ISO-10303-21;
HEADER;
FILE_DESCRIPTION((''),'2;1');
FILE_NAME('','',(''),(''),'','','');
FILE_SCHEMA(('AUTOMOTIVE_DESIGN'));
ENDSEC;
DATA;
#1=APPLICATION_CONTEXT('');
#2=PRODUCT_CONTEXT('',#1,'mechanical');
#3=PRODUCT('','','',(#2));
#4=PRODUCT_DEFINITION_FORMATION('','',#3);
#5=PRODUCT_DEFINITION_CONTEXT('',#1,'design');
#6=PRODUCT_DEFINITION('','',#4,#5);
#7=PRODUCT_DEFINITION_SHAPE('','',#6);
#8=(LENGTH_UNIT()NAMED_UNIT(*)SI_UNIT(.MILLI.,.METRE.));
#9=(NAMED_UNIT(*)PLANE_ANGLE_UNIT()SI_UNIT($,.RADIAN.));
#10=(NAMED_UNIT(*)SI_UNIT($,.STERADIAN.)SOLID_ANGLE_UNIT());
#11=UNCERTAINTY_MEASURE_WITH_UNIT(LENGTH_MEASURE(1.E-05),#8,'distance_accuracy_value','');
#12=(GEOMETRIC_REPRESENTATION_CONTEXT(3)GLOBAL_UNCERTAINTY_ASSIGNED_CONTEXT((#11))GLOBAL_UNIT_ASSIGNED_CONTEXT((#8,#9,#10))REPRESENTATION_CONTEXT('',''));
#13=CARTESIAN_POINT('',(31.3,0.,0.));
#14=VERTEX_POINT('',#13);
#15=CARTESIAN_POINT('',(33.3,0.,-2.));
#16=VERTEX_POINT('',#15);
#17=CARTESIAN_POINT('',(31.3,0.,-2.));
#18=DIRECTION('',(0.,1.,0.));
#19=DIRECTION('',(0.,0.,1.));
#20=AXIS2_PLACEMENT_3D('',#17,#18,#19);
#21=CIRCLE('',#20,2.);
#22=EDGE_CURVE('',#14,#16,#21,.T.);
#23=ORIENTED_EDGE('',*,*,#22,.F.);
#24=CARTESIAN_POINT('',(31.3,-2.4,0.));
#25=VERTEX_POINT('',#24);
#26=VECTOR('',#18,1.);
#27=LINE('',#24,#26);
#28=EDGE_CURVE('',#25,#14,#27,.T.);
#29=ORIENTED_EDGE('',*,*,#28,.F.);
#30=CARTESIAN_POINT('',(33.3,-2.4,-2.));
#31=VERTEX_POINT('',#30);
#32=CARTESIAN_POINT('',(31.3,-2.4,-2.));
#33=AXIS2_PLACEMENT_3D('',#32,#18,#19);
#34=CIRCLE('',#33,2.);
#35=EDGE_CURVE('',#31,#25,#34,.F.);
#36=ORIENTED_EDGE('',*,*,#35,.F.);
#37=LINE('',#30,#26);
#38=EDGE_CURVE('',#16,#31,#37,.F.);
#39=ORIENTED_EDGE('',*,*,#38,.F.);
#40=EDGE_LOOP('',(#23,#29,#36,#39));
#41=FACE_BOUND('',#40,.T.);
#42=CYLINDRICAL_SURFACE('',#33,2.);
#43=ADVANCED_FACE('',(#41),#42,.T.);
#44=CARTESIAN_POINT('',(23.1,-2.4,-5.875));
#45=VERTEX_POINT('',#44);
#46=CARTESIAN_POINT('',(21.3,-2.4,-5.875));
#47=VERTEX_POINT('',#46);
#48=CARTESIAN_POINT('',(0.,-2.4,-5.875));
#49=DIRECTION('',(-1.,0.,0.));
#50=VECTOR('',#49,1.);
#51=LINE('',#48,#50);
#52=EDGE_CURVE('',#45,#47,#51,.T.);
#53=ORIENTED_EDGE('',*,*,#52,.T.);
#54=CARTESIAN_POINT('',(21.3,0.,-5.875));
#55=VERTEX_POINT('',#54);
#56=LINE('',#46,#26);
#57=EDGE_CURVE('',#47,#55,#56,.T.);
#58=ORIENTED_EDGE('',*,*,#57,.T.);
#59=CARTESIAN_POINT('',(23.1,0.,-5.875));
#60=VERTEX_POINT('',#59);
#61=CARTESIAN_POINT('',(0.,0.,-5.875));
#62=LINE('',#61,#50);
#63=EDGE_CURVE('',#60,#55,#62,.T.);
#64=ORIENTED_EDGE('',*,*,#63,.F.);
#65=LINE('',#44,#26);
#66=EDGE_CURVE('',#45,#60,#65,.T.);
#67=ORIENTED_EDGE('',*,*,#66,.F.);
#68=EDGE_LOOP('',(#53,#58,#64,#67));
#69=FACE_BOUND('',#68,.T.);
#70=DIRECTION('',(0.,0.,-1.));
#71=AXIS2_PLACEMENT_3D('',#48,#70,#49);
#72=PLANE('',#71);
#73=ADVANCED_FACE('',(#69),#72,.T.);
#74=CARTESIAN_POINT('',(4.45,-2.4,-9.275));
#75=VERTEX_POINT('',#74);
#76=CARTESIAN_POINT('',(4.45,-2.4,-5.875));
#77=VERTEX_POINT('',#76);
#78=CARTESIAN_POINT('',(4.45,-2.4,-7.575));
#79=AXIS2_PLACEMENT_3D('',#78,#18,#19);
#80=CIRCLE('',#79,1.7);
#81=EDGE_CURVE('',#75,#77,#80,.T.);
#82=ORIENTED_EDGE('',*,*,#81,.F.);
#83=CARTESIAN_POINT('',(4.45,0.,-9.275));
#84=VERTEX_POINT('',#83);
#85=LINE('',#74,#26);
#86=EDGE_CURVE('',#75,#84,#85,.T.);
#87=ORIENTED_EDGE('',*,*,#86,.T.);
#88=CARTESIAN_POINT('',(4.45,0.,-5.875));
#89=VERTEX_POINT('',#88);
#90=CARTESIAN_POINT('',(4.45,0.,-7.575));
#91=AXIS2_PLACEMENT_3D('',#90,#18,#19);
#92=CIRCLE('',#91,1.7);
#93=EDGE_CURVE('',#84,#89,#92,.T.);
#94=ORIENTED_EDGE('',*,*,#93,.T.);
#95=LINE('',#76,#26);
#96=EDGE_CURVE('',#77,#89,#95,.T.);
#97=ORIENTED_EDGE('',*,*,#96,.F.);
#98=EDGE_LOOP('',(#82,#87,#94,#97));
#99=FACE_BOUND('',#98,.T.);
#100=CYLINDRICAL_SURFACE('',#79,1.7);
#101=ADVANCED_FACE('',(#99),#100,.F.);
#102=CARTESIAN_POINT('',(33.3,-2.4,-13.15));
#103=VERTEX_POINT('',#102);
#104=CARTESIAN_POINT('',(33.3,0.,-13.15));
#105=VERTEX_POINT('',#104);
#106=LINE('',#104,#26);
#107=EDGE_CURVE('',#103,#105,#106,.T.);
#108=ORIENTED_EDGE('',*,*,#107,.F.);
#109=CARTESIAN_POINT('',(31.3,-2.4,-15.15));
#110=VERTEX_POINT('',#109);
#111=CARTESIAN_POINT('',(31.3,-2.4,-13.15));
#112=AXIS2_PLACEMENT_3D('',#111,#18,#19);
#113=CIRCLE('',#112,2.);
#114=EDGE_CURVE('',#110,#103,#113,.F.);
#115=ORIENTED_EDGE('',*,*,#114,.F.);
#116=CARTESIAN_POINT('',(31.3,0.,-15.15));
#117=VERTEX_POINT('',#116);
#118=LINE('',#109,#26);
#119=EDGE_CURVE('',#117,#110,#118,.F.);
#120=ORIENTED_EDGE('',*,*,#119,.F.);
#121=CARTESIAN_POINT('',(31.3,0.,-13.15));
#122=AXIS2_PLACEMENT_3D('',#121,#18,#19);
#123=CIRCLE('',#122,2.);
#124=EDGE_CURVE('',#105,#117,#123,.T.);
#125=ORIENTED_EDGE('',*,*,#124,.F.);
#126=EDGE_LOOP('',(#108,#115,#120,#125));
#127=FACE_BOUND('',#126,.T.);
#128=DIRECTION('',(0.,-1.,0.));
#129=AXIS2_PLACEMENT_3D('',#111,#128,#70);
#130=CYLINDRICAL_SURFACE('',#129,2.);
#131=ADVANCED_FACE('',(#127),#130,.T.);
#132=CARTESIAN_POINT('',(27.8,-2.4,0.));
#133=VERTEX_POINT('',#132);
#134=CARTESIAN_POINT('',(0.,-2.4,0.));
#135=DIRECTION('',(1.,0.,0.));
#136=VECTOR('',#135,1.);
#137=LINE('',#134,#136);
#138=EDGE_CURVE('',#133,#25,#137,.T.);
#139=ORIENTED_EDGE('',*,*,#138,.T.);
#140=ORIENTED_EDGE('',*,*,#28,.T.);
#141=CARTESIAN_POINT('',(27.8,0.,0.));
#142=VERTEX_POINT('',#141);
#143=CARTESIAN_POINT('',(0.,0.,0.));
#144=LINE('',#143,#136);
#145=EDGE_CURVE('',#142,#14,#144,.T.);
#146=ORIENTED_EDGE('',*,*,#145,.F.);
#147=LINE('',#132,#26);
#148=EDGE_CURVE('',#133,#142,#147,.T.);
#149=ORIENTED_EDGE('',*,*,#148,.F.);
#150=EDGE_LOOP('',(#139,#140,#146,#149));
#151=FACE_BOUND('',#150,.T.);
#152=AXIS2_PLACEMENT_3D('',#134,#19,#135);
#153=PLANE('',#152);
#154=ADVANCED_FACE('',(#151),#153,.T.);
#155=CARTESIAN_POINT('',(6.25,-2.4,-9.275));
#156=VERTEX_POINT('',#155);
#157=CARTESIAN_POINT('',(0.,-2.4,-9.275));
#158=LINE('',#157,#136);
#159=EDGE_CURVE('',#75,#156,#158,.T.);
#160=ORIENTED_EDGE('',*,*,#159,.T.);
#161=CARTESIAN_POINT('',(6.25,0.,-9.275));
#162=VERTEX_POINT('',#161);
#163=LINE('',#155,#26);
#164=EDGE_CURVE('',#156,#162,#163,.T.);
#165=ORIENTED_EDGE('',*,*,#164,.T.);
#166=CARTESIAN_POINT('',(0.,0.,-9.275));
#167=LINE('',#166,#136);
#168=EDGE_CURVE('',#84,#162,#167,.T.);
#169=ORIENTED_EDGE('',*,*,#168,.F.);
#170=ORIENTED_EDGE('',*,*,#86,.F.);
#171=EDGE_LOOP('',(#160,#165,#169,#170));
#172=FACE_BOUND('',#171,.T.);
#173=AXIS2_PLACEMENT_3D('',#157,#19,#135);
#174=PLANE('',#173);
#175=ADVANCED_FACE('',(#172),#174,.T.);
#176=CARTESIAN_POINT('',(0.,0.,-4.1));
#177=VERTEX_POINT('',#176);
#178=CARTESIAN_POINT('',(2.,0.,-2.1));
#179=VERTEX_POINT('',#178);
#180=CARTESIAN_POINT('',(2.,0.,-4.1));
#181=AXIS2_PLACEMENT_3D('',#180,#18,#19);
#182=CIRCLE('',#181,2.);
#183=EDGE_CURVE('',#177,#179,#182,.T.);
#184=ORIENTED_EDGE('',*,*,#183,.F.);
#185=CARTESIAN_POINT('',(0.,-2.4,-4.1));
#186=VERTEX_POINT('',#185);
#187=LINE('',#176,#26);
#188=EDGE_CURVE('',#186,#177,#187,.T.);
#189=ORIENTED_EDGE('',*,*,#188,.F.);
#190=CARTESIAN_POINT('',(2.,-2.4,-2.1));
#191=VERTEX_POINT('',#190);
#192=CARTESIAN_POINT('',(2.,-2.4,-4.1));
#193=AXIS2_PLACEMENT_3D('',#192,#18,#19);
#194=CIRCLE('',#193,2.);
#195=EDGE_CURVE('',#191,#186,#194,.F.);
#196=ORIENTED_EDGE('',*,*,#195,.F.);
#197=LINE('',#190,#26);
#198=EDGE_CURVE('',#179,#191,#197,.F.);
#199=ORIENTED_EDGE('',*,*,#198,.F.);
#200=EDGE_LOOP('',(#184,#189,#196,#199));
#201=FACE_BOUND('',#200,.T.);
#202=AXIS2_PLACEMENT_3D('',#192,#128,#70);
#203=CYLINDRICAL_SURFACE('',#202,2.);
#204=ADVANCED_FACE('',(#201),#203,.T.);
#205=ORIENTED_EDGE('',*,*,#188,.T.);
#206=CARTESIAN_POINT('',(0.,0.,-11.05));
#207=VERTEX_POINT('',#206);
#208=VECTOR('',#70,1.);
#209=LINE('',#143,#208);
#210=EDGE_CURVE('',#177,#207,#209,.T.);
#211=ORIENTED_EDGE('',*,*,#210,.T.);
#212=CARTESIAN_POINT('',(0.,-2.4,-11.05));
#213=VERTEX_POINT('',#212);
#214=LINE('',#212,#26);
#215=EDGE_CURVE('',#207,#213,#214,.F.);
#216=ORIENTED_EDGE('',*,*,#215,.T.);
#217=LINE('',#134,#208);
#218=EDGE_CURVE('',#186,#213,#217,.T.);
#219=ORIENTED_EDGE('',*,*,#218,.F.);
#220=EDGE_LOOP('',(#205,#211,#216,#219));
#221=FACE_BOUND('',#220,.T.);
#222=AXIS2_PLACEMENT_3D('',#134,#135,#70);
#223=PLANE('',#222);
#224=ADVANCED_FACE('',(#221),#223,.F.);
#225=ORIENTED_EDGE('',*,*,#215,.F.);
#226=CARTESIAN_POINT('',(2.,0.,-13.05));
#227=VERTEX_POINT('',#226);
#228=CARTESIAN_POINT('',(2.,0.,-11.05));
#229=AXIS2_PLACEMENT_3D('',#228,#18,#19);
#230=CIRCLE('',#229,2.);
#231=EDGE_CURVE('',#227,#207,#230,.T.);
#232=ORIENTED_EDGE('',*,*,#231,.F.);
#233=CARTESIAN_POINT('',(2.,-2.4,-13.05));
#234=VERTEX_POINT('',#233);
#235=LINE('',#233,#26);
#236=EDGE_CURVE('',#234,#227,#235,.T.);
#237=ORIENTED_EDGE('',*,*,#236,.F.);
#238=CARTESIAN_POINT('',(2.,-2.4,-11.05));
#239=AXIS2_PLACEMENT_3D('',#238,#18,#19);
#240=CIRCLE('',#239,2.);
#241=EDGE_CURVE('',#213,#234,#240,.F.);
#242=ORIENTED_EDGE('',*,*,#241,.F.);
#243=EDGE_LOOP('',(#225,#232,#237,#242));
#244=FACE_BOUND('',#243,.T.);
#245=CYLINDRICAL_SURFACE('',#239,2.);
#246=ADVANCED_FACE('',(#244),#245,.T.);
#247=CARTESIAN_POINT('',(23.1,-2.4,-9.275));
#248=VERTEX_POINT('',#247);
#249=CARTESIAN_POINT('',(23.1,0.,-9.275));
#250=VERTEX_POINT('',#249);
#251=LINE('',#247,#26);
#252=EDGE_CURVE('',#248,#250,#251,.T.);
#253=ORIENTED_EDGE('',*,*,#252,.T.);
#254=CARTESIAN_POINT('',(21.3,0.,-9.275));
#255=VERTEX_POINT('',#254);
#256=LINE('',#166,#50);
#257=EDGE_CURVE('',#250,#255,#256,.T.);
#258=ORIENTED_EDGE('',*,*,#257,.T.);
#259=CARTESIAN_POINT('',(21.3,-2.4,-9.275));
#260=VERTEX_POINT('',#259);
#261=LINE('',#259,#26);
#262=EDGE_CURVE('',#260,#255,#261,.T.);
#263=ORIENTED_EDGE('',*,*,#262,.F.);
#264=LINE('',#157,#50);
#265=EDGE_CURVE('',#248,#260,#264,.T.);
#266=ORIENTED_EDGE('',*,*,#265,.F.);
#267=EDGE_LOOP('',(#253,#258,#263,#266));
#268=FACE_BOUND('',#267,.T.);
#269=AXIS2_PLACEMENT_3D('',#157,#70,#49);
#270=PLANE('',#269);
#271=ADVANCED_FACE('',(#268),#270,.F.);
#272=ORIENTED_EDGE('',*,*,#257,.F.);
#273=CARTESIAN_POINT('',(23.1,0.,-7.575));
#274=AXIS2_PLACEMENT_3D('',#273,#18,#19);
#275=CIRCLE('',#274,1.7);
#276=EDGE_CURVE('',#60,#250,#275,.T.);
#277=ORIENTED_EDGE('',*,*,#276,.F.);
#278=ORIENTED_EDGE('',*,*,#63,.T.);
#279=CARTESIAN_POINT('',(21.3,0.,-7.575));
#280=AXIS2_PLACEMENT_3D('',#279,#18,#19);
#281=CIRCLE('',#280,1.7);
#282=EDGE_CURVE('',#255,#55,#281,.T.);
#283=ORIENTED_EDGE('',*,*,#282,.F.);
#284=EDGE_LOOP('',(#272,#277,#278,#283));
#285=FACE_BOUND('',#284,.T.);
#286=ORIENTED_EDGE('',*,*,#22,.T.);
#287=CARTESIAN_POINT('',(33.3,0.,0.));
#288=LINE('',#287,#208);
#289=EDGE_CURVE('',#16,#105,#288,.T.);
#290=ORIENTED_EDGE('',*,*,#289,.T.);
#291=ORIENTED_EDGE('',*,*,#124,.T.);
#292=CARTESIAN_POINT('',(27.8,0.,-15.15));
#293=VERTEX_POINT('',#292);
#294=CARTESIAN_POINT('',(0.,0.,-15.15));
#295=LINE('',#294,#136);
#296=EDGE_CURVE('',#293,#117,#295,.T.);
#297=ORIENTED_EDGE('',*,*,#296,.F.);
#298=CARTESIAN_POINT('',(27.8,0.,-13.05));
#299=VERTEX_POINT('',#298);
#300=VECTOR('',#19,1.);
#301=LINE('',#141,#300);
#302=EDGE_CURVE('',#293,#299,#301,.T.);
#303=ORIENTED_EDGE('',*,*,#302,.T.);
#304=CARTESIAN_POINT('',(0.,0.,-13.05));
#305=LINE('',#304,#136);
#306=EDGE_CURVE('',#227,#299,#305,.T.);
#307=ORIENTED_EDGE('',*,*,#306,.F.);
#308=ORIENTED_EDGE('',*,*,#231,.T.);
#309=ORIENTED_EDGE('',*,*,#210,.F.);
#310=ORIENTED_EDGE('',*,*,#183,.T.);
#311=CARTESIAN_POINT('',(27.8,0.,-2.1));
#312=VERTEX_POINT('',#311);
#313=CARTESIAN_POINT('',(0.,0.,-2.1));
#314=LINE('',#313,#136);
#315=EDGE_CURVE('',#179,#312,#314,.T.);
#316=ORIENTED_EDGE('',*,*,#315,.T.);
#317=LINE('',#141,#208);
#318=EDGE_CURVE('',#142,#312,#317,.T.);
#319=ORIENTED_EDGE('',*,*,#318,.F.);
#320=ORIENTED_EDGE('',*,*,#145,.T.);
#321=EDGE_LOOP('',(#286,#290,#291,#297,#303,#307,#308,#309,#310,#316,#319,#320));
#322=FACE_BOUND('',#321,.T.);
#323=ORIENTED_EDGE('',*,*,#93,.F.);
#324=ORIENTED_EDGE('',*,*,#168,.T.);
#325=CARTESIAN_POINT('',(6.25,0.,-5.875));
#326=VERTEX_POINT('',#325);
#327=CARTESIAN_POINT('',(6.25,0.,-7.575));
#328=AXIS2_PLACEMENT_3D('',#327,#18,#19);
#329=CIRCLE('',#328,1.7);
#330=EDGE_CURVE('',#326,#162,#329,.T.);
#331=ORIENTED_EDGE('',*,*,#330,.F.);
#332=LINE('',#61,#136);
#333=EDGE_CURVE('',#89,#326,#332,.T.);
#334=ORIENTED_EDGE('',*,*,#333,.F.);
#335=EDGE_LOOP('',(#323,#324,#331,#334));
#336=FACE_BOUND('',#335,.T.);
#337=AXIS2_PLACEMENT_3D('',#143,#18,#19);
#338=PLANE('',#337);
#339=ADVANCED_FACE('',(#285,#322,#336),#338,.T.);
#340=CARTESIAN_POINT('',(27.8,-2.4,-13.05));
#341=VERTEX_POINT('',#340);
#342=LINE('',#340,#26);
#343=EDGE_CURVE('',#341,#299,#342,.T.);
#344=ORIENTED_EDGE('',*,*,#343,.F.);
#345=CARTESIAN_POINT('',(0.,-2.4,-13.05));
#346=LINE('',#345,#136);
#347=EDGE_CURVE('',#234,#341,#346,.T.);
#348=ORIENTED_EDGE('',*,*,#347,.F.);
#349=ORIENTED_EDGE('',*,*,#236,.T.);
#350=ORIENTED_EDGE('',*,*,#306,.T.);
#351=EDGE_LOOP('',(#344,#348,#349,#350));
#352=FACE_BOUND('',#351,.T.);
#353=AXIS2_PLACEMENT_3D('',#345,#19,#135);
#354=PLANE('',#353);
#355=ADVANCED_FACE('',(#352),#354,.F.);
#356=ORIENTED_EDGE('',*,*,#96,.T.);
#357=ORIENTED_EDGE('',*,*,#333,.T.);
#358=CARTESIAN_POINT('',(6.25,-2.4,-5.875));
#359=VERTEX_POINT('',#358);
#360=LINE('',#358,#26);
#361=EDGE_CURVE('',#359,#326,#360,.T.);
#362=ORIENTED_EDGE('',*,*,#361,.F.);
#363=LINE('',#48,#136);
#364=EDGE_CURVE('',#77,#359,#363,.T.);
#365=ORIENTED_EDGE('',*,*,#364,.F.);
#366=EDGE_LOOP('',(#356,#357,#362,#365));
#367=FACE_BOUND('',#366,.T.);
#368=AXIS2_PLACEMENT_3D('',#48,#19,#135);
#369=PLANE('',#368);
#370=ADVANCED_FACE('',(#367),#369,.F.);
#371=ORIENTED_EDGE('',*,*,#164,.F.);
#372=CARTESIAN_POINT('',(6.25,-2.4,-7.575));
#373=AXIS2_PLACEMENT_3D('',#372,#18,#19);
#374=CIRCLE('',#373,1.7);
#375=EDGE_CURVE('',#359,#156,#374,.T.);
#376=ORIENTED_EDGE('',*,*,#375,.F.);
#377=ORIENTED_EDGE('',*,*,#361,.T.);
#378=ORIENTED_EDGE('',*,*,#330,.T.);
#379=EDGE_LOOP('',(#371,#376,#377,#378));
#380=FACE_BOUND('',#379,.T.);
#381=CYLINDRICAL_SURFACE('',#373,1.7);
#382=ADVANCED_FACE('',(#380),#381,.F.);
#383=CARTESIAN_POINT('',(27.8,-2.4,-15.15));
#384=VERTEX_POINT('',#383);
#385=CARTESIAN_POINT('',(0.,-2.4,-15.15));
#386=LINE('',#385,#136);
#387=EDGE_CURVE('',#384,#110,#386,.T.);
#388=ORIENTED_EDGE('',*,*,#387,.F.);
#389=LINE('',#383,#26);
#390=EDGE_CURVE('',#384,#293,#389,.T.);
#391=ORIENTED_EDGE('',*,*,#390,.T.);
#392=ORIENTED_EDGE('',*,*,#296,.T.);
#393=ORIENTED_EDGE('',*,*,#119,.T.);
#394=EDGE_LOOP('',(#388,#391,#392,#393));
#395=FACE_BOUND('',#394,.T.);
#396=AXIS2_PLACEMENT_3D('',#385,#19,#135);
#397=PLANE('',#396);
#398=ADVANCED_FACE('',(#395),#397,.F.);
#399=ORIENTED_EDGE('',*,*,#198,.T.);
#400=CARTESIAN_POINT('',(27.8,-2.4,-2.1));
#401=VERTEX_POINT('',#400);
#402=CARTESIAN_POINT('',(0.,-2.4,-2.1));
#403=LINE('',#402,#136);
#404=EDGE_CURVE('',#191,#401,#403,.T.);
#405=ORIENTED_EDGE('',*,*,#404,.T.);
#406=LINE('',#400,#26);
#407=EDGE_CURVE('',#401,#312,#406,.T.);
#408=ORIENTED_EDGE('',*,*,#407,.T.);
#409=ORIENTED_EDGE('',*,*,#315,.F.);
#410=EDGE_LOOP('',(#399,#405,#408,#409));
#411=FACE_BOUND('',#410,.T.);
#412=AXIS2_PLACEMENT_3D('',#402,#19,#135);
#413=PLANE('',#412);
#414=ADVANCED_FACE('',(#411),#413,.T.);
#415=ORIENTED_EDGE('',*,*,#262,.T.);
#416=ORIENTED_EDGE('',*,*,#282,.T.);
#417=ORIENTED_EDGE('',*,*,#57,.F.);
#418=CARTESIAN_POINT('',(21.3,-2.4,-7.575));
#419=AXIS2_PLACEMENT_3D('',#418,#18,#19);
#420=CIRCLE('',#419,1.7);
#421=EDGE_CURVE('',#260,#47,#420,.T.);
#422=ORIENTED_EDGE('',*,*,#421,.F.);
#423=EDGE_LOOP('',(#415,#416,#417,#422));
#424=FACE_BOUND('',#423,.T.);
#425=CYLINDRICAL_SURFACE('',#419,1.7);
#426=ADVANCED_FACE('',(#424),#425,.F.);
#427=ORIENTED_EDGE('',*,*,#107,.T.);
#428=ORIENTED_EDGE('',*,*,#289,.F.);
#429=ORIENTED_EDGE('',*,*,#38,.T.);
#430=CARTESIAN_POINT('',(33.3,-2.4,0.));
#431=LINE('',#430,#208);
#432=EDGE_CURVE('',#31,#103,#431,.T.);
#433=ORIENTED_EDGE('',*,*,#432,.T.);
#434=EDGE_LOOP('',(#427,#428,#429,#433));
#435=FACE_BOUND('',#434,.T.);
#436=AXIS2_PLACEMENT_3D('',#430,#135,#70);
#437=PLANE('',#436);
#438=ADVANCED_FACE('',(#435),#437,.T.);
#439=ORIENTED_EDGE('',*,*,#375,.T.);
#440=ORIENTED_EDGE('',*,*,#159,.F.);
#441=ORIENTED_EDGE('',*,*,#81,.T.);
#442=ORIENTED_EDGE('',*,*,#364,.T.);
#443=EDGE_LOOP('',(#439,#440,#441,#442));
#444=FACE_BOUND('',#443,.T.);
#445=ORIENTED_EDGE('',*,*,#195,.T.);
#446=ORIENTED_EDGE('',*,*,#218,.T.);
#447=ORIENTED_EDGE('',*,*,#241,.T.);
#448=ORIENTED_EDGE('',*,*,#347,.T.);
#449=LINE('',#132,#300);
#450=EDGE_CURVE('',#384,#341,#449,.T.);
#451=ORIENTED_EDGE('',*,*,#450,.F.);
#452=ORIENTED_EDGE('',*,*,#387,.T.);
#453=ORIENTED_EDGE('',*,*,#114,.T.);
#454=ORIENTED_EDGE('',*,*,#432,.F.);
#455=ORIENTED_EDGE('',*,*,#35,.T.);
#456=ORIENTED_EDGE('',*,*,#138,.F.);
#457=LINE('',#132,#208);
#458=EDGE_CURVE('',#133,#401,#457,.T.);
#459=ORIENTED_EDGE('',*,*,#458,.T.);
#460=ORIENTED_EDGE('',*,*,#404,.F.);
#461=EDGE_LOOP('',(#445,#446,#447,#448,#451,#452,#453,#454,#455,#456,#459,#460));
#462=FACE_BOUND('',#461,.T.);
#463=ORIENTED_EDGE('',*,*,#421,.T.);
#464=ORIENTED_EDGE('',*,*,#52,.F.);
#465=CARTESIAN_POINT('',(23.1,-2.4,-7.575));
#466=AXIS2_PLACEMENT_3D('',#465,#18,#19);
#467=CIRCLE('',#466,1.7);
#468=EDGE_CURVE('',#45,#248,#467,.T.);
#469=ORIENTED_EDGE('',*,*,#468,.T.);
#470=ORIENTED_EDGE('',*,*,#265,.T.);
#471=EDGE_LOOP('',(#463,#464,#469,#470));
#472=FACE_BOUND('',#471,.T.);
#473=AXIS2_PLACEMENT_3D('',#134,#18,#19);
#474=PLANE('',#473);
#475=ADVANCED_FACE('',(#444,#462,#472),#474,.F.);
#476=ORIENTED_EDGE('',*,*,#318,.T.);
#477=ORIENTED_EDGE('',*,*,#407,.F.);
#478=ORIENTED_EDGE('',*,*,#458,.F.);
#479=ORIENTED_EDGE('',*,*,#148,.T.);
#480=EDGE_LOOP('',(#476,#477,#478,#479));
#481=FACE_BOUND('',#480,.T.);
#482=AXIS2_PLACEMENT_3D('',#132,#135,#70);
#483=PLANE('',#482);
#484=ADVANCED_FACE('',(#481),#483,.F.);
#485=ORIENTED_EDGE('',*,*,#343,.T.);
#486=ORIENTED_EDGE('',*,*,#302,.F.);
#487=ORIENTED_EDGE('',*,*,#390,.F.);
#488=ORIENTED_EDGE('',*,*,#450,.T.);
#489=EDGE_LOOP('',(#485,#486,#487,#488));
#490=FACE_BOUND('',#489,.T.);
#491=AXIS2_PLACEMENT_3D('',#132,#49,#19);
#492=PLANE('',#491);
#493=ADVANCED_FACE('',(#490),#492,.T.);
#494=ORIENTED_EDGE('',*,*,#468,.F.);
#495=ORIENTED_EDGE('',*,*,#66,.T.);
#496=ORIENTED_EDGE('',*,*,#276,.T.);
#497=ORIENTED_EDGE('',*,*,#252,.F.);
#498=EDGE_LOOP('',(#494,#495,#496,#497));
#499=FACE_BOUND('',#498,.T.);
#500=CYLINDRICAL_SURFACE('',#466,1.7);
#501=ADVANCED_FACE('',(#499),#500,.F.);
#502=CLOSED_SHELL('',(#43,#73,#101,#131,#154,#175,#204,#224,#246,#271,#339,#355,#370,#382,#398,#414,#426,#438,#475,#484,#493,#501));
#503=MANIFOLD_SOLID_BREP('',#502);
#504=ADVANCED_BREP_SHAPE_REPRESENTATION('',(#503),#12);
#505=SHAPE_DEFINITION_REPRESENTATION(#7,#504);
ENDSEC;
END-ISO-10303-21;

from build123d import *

# Parameters (mm, degrees)
BOSS_EXTRUDE1_DEPTH = 2.4
FILLET1_R           = 2


with BuildPart() as part:
    # Sketch1 → Boss-Extrude1 (new body)
    with BuildSketch(Plane(origin=(0, 0, 0), x_dir=(1, 0, 0), z_dir=(0, 1, 0))):
        Polygon((27.8, 2.1), (27.8, 0), (33.3, 0), (33.3, 15.15), (27.8, 15.15), (27.8, 13.05), (0, 13.05), (0, 2.1), align=None)
        with BuildLine():
            ThreePointArc((4.45, 5.875), (2.75, 7.575), (4.45, 9.275))
            Line((4.45, 9.275), (6.25, 9.275))
            ThreePointArc((6.25, 9.275), (7.95, 7.575), (6.25, 5.875))
            Line((6.25, 5.875), (4.45, 5.875))
        make_face(mode=Mode.SUBTRACT)
        with BuildLine():
            ThreePointArc((23.1, 9.275), (24.8, 7.575), (23.1, 5.875))
            Line((23.1, 5.875), (21.3, 5.875))
            ThreePointArc((21.3, 5.875), (19.6, 7.575), (21.3, 9.275))
            Line((21.3, 9.275), (23.1, 9.275))
        make_face(mode=Mode.SUBTRACT)
    extrude(amount=-BOSS_EXTRUDE1_DEPTH)

    # Fillet1
    fillet1_edges = [part.edges().sort_by_distance(p)[0] for p in [
        (33.3, -1.2, -15.15),
        (33.3, -1.2, 0),
        (0, -1.2, -2.1),
        (0, -1.2, -13.05),
    ]]
    fillet(fillet1_edges, radius=FILLET1_R)


solid = part.part
